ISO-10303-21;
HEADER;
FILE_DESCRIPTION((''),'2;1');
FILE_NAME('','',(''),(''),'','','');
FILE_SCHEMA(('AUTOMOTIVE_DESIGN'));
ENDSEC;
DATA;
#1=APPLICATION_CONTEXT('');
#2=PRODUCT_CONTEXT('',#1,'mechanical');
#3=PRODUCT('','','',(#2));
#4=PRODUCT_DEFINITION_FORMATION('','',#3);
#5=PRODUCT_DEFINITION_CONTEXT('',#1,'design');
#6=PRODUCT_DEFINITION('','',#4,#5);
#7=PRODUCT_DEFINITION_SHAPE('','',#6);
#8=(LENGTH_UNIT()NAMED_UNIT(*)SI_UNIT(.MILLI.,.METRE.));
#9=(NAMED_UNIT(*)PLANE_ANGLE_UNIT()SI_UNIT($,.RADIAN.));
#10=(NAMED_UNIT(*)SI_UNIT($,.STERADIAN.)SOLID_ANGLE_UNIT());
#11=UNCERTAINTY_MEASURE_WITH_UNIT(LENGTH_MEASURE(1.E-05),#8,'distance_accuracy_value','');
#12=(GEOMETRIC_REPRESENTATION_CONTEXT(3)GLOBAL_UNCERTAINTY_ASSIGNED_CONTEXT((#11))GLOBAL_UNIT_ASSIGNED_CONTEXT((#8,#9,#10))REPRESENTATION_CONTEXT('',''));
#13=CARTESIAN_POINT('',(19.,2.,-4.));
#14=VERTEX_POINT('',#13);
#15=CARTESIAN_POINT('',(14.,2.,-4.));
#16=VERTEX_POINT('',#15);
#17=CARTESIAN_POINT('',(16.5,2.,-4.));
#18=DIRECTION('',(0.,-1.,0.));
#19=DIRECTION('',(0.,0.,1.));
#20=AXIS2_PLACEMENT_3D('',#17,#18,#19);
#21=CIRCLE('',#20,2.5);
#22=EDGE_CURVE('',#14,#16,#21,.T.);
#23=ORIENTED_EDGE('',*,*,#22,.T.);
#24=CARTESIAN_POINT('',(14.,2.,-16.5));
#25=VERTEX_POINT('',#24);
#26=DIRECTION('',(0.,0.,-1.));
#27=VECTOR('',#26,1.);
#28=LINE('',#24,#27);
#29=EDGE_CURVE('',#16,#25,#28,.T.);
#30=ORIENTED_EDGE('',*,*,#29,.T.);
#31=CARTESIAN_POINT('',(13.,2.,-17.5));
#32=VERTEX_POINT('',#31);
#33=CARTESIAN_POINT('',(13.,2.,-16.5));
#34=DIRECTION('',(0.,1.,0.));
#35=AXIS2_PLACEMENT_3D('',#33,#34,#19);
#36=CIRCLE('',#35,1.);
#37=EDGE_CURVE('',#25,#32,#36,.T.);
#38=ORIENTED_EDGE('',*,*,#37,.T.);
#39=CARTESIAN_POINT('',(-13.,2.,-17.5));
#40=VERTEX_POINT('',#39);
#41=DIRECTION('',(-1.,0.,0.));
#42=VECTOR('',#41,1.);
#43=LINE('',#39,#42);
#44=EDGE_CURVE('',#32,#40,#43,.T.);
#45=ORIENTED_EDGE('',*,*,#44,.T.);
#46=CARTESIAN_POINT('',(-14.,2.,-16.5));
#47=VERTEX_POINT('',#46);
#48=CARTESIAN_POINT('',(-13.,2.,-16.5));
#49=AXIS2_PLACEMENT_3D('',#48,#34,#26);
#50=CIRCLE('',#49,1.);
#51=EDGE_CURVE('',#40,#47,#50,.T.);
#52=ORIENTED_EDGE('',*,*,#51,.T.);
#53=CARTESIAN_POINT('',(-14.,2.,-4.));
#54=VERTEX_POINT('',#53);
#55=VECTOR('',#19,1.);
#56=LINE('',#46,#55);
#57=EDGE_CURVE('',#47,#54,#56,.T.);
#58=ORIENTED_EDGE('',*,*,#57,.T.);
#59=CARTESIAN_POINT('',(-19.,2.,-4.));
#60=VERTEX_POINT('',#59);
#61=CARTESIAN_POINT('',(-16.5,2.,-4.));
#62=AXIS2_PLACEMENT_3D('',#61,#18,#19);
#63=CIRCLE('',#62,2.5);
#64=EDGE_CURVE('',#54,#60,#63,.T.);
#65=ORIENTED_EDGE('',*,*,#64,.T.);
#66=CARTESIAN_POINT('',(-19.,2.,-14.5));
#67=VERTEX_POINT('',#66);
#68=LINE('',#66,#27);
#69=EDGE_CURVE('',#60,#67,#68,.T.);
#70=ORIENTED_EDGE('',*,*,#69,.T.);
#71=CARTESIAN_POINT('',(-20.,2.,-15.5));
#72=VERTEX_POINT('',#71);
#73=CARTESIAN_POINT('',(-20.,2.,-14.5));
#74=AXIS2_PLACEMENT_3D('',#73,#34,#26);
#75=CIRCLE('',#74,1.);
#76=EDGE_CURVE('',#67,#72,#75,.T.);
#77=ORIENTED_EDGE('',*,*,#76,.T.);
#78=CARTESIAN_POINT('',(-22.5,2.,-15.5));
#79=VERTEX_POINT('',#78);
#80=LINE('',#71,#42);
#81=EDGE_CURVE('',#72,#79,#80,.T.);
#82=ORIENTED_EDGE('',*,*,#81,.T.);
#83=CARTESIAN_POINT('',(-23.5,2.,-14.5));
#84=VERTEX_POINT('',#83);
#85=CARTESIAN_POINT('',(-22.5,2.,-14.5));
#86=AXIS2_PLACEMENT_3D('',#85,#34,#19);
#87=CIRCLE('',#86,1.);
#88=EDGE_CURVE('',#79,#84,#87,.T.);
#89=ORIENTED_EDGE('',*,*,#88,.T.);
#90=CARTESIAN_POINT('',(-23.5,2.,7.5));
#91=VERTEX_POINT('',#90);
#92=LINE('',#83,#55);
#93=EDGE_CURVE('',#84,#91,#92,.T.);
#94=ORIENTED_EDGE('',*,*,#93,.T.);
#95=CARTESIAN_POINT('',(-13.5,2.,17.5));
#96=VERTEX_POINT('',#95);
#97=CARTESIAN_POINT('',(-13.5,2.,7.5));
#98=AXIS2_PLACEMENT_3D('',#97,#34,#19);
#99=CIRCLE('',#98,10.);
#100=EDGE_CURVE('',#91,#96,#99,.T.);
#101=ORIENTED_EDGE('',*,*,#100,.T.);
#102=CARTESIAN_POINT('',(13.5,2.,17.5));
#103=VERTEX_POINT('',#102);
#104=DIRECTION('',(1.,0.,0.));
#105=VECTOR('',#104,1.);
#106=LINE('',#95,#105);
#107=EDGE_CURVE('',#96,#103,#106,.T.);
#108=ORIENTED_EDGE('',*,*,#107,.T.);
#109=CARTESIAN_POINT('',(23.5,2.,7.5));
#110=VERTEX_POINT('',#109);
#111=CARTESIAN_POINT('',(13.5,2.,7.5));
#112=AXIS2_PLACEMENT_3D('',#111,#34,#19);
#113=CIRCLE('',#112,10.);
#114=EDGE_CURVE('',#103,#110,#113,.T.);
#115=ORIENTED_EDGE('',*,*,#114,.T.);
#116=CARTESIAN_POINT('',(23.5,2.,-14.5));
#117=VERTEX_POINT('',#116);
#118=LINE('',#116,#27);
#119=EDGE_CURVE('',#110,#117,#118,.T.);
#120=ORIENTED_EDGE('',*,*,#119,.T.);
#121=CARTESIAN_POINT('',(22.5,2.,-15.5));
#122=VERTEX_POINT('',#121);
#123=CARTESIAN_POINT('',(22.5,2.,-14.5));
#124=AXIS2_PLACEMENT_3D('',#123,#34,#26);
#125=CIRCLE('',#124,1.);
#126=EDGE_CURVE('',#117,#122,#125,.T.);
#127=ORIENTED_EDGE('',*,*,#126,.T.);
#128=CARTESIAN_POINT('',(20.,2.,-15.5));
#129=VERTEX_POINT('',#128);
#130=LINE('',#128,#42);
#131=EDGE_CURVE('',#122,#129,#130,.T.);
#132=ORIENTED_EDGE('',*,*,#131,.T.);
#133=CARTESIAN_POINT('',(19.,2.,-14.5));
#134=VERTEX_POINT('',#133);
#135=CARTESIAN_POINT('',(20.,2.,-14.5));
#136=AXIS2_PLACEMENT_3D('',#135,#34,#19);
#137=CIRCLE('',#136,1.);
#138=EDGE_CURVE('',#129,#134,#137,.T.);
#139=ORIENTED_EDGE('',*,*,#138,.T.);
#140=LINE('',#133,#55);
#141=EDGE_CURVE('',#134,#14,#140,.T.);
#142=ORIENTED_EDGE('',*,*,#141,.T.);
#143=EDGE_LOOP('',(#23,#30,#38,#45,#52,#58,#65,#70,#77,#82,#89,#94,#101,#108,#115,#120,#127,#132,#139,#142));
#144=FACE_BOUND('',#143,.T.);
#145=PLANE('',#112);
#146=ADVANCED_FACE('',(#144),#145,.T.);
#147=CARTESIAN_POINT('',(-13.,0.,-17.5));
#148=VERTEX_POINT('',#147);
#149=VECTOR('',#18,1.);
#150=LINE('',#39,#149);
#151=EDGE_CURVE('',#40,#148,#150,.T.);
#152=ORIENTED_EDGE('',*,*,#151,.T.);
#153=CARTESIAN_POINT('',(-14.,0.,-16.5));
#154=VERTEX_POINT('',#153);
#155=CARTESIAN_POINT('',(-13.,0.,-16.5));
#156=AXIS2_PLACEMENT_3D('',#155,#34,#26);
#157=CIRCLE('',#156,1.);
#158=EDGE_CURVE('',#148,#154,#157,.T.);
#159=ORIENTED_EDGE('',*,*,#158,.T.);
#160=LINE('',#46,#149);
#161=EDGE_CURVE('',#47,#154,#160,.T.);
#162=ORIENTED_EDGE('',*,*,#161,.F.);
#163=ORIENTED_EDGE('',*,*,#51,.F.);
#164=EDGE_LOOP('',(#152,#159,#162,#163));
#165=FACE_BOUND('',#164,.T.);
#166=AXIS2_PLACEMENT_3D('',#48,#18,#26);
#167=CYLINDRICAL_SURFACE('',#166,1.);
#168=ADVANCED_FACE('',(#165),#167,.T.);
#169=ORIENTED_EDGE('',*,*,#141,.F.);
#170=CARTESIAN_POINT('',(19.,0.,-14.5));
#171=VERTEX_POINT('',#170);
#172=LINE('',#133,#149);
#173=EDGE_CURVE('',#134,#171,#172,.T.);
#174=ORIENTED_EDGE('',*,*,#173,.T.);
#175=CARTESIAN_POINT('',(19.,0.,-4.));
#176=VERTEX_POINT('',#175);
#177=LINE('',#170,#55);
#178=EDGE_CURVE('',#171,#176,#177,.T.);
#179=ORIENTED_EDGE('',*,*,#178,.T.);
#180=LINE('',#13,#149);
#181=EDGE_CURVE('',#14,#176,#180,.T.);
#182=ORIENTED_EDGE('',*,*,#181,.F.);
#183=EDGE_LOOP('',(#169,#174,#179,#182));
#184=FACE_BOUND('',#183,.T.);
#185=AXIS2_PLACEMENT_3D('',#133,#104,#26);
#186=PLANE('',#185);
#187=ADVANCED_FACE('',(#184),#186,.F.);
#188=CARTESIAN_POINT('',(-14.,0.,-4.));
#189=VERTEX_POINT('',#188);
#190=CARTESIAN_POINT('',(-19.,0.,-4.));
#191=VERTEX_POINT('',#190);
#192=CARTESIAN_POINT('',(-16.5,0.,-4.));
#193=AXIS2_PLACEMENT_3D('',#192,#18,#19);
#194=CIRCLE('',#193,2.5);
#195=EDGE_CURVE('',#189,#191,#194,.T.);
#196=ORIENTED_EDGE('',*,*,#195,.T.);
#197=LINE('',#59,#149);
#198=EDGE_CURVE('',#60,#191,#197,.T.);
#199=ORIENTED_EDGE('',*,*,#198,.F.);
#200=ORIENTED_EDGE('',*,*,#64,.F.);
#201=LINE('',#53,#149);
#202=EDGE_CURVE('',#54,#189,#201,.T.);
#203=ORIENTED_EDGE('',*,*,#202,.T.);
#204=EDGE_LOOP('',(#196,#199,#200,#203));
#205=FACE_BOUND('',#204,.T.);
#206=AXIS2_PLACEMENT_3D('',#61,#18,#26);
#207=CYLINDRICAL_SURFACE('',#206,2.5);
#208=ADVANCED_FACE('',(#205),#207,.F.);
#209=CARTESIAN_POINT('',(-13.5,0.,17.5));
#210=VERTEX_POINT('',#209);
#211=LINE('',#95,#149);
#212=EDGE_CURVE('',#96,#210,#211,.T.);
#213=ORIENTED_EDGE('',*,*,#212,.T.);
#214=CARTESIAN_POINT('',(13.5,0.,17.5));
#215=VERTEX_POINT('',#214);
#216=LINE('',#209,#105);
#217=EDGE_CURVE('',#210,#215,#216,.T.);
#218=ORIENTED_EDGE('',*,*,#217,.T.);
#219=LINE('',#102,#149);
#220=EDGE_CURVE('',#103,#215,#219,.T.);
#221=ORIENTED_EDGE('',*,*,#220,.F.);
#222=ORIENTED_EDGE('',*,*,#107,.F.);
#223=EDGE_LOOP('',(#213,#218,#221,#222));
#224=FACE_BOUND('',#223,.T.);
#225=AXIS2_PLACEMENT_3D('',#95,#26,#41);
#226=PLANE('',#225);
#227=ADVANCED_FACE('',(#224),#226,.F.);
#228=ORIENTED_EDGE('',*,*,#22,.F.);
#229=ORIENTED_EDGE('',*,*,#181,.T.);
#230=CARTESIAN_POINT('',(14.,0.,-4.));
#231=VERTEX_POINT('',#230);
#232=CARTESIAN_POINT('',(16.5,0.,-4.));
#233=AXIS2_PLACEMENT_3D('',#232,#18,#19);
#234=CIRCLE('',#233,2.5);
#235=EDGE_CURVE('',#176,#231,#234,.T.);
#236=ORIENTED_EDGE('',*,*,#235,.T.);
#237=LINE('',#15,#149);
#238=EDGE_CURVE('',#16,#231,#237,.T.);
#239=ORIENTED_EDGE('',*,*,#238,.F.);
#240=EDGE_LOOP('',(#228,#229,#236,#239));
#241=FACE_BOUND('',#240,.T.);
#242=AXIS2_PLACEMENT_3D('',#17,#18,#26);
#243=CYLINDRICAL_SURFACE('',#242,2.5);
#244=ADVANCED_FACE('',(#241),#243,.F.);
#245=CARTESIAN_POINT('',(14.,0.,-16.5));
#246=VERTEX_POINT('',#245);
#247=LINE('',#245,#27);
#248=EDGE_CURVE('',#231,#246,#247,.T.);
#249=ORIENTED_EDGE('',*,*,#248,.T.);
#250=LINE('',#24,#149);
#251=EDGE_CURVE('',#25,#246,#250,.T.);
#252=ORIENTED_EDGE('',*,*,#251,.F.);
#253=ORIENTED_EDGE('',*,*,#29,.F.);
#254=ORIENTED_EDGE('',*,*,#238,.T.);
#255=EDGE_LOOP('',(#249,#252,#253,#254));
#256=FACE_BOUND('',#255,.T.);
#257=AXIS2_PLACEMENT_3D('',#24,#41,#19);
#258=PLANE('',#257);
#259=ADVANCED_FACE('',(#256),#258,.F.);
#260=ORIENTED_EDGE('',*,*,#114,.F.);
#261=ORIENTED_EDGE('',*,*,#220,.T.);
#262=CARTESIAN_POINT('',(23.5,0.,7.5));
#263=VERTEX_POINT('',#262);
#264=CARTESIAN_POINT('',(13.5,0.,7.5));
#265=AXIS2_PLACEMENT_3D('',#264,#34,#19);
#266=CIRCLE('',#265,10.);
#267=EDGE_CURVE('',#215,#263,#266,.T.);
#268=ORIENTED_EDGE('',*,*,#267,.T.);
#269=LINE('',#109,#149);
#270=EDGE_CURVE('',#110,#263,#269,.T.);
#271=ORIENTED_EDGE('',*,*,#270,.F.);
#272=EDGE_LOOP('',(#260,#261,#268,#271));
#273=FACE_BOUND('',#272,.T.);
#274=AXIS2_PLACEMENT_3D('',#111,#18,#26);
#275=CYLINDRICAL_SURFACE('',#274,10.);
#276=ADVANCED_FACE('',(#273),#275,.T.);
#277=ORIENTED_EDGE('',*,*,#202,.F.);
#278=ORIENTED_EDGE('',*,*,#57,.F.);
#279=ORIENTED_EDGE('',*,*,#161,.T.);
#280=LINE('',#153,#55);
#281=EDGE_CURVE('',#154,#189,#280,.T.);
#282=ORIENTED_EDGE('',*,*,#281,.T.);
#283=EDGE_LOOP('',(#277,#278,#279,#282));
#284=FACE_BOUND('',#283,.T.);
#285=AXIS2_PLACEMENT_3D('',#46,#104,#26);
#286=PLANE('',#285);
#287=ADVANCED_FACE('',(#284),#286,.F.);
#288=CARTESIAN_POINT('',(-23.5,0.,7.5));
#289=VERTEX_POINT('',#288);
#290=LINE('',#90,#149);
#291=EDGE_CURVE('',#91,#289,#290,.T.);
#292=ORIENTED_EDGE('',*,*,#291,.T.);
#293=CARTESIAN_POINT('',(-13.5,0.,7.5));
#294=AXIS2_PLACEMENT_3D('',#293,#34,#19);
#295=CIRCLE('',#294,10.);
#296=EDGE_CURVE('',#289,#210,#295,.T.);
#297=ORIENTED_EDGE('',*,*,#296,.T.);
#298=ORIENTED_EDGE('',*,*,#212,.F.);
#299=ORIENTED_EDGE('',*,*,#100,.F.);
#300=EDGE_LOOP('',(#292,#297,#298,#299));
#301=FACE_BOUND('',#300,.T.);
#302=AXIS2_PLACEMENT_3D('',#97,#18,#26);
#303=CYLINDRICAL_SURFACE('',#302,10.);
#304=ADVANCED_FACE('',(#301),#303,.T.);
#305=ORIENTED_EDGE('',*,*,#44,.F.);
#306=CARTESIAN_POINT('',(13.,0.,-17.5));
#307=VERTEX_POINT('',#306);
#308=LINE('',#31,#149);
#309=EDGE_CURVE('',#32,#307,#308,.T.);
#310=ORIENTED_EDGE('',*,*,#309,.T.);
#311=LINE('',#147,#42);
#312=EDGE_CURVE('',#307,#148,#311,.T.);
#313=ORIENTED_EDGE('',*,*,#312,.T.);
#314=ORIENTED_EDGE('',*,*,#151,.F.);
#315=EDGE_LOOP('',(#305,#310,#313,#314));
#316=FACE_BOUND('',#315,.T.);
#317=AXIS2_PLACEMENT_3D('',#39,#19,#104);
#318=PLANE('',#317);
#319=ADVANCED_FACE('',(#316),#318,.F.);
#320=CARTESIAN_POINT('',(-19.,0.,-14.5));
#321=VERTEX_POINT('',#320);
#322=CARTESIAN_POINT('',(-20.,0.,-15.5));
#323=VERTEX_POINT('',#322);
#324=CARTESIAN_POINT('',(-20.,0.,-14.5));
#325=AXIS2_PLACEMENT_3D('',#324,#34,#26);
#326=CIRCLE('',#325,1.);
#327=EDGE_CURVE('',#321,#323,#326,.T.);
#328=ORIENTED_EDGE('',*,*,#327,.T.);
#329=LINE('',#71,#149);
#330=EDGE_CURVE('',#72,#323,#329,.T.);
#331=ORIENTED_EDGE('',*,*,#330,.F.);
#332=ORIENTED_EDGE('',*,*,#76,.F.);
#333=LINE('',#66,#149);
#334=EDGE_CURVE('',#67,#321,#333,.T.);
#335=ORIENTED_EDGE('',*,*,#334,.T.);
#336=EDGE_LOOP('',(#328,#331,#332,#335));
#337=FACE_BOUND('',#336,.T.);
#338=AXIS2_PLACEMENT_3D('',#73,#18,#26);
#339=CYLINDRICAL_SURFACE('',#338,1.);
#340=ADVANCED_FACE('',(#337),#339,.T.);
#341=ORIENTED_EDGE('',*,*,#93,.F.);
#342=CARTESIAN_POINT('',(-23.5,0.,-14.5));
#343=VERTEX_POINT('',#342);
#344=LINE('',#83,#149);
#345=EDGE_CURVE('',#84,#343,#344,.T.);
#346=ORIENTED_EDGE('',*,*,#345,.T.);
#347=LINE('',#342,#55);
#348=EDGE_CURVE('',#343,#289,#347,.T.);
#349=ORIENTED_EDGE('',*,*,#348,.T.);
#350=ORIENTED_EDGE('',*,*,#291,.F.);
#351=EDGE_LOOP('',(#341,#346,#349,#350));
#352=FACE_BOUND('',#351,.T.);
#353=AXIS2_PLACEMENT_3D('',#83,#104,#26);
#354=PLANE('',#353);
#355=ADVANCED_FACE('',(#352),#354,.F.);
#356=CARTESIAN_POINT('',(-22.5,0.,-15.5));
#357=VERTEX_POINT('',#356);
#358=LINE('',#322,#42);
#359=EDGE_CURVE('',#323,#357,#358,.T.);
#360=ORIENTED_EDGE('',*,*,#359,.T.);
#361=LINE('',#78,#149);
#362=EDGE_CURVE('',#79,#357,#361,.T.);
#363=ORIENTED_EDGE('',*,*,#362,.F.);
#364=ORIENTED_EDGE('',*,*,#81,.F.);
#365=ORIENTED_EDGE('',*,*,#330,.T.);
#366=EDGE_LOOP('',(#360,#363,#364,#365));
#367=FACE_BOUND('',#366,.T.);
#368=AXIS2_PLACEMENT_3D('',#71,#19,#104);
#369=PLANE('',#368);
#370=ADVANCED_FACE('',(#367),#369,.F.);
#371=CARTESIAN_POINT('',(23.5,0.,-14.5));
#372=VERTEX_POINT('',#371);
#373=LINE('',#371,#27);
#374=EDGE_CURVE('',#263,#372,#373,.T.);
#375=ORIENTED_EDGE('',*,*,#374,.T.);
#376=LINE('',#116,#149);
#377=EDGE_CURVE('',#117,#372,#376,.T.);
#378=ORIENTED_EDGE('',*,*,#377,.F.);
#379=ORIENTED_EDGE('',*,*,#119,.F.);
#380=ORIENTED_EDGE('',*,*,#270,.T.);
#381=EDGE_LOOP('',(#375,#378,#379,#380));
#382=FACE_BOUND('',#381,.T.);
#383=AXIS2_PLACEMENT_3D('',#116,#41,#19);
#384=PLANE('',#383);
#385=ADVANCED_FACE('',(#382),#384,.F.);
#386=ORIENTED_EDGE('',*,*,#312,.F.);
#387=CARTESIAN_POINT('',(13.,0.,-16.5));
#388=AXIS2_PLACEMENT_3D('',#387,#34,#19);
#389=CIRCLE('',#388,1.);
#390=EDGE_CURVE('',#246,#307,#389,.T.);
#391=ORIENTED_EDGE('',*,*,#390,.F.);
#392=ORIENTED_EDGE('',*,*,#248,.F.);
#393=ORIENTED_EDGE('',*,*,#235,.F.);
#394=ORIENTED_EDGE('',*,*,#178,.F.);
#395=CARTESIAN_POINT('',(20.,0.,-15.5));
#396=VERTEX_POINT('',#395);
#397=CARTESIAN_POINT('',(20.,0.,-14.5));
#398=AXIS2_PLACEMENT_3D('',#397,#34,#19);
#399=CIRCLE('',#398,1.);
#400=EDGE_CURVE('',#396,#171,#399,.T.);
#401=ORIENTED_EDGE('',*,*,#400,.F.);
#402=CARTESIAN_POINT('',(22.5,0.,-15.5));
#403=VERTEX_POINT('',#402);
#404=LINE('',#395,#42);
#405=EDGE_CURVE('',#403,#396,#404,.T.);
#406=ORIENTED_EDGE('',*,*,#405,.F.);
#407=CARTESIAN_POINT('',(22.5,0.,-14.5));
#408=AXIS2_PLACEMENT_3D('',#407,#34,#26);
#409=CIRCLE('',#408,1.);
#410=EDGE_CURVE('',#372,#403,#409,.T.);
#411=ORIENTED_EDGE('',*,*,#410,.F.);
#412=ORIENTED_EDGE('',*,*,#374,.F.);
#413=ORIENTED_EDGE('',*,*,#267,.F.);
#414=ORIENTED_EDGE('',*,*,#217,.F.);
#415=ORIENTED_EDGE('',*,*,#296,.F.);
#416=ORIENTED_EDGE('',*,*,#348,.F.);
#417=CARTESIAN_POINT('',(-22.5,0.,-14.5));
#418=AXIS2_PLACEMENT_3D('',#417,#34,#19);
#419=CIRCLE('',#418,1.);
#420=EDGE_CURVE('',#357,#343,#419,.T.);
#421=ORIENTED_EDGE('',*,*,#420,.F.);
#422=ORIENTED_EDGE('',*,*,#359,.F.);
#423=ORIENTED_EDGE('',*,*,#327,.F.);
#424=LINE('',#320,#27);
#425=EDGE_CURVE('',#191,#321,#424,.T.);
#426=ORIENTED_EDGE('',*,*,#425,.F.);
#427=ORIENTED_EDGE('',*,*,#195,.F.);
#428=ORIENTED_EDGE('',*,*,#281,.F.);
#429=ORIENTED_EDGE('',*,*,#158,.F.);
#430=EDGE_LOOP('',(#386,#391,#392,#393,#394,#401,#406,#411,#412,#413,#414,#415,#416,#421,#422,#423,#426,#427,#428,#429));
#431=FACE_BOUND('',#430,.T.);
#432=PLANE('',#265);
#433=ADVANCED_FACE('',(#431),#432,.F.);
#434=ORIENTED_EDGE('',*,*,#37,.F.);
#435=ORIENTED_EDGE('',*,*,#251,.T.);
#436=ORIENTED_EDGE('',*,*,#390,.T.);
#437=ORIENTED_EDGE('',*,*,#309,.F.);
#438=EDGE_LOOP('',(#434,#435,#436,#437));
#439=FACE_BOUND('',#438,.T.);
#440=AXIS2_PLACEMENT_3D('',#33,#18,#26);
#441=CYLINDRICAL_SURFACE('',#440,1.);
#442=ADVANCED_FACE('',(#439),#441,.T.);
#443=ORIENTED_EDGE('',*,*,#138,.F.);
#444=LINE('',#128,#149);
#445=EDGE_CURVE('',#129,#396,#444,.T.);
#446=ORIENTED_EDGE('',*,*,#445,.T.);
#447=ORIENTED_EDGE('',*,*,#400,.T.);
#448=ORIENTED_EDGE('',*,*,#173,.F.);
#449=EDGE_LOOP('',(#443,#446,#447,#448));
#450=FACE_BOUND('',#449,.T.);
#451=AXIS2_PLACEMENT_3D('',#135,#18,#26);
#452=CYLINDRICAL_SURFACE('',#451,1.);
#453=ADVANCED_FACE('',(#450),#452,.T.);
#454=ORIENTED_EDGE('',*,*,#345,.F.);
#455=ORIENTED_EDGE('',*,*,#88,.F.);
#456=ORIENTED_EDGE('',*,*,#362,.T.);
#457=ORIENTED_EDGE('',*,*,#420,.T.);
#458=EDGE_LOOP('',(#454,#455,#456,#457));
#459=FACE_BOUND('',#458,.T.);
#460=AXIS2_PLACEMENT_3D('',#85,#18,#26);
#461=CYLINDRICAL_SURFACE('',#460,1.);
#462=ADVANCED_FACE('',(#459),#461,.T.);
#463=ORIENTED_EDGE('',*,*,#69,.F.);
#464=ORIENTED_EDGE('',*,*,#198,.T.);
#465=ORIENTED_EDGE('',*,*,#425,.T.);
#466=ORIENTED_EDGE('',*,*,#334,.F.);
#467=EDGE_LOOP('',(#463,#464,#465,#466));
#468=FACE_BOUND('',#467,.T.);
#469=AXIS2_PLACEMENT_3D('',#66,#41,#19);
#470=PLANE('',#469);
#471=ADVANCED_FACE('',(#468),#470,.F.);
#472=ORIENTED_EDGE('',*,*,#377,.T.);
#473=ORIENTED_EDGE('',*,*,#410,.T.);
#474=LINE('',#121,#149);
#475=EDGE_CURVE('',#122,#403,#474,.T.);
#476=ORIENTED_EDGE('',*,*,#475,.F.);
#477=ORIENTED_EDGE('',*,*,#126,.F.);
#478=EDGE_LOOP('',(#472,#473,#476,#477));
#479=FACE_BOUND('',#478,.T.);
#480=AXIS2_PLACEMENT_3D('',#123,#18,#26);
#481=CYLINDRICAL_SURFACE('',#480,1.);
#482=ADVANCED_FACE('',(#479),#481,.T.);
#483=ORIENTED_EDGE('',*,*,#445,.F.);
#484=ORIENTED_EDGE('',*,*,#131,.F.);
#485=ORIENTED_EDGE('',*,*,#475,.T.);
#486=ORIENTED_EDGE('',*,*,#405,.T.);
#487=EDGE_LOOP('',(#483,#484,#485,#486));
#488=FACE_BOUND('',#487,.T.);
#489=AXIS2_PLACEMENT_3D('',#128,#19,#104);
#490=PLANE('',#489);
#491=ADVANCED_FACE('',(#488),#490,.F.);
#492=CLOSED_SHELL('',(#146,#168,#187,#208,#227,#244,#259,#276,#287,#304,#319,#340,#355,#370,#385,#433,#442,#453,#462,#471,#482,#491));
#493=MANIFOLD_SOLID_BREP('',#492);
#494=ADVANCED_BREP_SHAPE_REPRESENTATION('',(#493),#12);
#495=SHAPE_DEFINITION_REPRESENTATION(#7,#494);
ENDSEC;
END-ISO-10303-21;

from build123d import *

# Parameters (mm, degrees)
RESSALTO_EXTRUS_O1_DEPTH = 2


with BuildPart() as part:
    # Esboço1 → Ressalto-extrusão1 (new body)
    with BuildSketch(Plane(origin=(0, 0, 0), x_dir=(1, 0, 0), z_dir=(0, 1, 0))):
        with BuildLine():
            Line((-23.5, 14.5), (-23.5, -7.5))
            ThreePointArc((-23.5, -7.5), (-20.571067812, -14.571067812), (-13.5, -17.5))
            Line((-13.5, -17.5), (13.5, -17.5))
            ThreePointArc((13.5, -17.5), (20.571067812, -14.571067812), (23.5, -7.5))
            Line((23.5, -7.5), (23.5, 14.5))
            ThreePointArc((23.5, 14.5), (23.207106781, 15.207106781), (22.5, 15.5))
            Line((22.5, 15.5), (20, 15.5))
            ThreePointArc((20, 15.5), (19.292893219, 15.207106781), (19, 14.5))
            Line((19, 14.5), (19, 4))
            ThreePointArc((19, 4), (16.5, 1.5), (14, 4))
            Line((14, 4), (14, 16.5))
            ThreePointArc((14, 16.5), (13.707106781, 17.207106781), (13, 17.5))
            Line((13, 17.5), (-13, 17.5))
            ThreePointArc((-13, 17.5), (-13.707106781, 17.207106781), (-14, 16.5))
            Line((-14, 16.5), (-14, 4))
            ThreePointArc((-14, 4), (-16.5, 1.5), (-19, 4))
            Line((-19, 4), (-19, 14.5))
            ThreePointArc((-19, 14.5), (-19.292893219, 15.207106781), (-20, 15.5))
            Line((-20, 15.5), (-22.5, 15.5))
            ThreePointArc((-22.5, 15.5), (-23.207106781, 15.207106781), (-23.5, 14.5))
        make_face()
    extrude(amount=RESSALTO_EXTRUS_O1_DEPTH)


solid = part.part
